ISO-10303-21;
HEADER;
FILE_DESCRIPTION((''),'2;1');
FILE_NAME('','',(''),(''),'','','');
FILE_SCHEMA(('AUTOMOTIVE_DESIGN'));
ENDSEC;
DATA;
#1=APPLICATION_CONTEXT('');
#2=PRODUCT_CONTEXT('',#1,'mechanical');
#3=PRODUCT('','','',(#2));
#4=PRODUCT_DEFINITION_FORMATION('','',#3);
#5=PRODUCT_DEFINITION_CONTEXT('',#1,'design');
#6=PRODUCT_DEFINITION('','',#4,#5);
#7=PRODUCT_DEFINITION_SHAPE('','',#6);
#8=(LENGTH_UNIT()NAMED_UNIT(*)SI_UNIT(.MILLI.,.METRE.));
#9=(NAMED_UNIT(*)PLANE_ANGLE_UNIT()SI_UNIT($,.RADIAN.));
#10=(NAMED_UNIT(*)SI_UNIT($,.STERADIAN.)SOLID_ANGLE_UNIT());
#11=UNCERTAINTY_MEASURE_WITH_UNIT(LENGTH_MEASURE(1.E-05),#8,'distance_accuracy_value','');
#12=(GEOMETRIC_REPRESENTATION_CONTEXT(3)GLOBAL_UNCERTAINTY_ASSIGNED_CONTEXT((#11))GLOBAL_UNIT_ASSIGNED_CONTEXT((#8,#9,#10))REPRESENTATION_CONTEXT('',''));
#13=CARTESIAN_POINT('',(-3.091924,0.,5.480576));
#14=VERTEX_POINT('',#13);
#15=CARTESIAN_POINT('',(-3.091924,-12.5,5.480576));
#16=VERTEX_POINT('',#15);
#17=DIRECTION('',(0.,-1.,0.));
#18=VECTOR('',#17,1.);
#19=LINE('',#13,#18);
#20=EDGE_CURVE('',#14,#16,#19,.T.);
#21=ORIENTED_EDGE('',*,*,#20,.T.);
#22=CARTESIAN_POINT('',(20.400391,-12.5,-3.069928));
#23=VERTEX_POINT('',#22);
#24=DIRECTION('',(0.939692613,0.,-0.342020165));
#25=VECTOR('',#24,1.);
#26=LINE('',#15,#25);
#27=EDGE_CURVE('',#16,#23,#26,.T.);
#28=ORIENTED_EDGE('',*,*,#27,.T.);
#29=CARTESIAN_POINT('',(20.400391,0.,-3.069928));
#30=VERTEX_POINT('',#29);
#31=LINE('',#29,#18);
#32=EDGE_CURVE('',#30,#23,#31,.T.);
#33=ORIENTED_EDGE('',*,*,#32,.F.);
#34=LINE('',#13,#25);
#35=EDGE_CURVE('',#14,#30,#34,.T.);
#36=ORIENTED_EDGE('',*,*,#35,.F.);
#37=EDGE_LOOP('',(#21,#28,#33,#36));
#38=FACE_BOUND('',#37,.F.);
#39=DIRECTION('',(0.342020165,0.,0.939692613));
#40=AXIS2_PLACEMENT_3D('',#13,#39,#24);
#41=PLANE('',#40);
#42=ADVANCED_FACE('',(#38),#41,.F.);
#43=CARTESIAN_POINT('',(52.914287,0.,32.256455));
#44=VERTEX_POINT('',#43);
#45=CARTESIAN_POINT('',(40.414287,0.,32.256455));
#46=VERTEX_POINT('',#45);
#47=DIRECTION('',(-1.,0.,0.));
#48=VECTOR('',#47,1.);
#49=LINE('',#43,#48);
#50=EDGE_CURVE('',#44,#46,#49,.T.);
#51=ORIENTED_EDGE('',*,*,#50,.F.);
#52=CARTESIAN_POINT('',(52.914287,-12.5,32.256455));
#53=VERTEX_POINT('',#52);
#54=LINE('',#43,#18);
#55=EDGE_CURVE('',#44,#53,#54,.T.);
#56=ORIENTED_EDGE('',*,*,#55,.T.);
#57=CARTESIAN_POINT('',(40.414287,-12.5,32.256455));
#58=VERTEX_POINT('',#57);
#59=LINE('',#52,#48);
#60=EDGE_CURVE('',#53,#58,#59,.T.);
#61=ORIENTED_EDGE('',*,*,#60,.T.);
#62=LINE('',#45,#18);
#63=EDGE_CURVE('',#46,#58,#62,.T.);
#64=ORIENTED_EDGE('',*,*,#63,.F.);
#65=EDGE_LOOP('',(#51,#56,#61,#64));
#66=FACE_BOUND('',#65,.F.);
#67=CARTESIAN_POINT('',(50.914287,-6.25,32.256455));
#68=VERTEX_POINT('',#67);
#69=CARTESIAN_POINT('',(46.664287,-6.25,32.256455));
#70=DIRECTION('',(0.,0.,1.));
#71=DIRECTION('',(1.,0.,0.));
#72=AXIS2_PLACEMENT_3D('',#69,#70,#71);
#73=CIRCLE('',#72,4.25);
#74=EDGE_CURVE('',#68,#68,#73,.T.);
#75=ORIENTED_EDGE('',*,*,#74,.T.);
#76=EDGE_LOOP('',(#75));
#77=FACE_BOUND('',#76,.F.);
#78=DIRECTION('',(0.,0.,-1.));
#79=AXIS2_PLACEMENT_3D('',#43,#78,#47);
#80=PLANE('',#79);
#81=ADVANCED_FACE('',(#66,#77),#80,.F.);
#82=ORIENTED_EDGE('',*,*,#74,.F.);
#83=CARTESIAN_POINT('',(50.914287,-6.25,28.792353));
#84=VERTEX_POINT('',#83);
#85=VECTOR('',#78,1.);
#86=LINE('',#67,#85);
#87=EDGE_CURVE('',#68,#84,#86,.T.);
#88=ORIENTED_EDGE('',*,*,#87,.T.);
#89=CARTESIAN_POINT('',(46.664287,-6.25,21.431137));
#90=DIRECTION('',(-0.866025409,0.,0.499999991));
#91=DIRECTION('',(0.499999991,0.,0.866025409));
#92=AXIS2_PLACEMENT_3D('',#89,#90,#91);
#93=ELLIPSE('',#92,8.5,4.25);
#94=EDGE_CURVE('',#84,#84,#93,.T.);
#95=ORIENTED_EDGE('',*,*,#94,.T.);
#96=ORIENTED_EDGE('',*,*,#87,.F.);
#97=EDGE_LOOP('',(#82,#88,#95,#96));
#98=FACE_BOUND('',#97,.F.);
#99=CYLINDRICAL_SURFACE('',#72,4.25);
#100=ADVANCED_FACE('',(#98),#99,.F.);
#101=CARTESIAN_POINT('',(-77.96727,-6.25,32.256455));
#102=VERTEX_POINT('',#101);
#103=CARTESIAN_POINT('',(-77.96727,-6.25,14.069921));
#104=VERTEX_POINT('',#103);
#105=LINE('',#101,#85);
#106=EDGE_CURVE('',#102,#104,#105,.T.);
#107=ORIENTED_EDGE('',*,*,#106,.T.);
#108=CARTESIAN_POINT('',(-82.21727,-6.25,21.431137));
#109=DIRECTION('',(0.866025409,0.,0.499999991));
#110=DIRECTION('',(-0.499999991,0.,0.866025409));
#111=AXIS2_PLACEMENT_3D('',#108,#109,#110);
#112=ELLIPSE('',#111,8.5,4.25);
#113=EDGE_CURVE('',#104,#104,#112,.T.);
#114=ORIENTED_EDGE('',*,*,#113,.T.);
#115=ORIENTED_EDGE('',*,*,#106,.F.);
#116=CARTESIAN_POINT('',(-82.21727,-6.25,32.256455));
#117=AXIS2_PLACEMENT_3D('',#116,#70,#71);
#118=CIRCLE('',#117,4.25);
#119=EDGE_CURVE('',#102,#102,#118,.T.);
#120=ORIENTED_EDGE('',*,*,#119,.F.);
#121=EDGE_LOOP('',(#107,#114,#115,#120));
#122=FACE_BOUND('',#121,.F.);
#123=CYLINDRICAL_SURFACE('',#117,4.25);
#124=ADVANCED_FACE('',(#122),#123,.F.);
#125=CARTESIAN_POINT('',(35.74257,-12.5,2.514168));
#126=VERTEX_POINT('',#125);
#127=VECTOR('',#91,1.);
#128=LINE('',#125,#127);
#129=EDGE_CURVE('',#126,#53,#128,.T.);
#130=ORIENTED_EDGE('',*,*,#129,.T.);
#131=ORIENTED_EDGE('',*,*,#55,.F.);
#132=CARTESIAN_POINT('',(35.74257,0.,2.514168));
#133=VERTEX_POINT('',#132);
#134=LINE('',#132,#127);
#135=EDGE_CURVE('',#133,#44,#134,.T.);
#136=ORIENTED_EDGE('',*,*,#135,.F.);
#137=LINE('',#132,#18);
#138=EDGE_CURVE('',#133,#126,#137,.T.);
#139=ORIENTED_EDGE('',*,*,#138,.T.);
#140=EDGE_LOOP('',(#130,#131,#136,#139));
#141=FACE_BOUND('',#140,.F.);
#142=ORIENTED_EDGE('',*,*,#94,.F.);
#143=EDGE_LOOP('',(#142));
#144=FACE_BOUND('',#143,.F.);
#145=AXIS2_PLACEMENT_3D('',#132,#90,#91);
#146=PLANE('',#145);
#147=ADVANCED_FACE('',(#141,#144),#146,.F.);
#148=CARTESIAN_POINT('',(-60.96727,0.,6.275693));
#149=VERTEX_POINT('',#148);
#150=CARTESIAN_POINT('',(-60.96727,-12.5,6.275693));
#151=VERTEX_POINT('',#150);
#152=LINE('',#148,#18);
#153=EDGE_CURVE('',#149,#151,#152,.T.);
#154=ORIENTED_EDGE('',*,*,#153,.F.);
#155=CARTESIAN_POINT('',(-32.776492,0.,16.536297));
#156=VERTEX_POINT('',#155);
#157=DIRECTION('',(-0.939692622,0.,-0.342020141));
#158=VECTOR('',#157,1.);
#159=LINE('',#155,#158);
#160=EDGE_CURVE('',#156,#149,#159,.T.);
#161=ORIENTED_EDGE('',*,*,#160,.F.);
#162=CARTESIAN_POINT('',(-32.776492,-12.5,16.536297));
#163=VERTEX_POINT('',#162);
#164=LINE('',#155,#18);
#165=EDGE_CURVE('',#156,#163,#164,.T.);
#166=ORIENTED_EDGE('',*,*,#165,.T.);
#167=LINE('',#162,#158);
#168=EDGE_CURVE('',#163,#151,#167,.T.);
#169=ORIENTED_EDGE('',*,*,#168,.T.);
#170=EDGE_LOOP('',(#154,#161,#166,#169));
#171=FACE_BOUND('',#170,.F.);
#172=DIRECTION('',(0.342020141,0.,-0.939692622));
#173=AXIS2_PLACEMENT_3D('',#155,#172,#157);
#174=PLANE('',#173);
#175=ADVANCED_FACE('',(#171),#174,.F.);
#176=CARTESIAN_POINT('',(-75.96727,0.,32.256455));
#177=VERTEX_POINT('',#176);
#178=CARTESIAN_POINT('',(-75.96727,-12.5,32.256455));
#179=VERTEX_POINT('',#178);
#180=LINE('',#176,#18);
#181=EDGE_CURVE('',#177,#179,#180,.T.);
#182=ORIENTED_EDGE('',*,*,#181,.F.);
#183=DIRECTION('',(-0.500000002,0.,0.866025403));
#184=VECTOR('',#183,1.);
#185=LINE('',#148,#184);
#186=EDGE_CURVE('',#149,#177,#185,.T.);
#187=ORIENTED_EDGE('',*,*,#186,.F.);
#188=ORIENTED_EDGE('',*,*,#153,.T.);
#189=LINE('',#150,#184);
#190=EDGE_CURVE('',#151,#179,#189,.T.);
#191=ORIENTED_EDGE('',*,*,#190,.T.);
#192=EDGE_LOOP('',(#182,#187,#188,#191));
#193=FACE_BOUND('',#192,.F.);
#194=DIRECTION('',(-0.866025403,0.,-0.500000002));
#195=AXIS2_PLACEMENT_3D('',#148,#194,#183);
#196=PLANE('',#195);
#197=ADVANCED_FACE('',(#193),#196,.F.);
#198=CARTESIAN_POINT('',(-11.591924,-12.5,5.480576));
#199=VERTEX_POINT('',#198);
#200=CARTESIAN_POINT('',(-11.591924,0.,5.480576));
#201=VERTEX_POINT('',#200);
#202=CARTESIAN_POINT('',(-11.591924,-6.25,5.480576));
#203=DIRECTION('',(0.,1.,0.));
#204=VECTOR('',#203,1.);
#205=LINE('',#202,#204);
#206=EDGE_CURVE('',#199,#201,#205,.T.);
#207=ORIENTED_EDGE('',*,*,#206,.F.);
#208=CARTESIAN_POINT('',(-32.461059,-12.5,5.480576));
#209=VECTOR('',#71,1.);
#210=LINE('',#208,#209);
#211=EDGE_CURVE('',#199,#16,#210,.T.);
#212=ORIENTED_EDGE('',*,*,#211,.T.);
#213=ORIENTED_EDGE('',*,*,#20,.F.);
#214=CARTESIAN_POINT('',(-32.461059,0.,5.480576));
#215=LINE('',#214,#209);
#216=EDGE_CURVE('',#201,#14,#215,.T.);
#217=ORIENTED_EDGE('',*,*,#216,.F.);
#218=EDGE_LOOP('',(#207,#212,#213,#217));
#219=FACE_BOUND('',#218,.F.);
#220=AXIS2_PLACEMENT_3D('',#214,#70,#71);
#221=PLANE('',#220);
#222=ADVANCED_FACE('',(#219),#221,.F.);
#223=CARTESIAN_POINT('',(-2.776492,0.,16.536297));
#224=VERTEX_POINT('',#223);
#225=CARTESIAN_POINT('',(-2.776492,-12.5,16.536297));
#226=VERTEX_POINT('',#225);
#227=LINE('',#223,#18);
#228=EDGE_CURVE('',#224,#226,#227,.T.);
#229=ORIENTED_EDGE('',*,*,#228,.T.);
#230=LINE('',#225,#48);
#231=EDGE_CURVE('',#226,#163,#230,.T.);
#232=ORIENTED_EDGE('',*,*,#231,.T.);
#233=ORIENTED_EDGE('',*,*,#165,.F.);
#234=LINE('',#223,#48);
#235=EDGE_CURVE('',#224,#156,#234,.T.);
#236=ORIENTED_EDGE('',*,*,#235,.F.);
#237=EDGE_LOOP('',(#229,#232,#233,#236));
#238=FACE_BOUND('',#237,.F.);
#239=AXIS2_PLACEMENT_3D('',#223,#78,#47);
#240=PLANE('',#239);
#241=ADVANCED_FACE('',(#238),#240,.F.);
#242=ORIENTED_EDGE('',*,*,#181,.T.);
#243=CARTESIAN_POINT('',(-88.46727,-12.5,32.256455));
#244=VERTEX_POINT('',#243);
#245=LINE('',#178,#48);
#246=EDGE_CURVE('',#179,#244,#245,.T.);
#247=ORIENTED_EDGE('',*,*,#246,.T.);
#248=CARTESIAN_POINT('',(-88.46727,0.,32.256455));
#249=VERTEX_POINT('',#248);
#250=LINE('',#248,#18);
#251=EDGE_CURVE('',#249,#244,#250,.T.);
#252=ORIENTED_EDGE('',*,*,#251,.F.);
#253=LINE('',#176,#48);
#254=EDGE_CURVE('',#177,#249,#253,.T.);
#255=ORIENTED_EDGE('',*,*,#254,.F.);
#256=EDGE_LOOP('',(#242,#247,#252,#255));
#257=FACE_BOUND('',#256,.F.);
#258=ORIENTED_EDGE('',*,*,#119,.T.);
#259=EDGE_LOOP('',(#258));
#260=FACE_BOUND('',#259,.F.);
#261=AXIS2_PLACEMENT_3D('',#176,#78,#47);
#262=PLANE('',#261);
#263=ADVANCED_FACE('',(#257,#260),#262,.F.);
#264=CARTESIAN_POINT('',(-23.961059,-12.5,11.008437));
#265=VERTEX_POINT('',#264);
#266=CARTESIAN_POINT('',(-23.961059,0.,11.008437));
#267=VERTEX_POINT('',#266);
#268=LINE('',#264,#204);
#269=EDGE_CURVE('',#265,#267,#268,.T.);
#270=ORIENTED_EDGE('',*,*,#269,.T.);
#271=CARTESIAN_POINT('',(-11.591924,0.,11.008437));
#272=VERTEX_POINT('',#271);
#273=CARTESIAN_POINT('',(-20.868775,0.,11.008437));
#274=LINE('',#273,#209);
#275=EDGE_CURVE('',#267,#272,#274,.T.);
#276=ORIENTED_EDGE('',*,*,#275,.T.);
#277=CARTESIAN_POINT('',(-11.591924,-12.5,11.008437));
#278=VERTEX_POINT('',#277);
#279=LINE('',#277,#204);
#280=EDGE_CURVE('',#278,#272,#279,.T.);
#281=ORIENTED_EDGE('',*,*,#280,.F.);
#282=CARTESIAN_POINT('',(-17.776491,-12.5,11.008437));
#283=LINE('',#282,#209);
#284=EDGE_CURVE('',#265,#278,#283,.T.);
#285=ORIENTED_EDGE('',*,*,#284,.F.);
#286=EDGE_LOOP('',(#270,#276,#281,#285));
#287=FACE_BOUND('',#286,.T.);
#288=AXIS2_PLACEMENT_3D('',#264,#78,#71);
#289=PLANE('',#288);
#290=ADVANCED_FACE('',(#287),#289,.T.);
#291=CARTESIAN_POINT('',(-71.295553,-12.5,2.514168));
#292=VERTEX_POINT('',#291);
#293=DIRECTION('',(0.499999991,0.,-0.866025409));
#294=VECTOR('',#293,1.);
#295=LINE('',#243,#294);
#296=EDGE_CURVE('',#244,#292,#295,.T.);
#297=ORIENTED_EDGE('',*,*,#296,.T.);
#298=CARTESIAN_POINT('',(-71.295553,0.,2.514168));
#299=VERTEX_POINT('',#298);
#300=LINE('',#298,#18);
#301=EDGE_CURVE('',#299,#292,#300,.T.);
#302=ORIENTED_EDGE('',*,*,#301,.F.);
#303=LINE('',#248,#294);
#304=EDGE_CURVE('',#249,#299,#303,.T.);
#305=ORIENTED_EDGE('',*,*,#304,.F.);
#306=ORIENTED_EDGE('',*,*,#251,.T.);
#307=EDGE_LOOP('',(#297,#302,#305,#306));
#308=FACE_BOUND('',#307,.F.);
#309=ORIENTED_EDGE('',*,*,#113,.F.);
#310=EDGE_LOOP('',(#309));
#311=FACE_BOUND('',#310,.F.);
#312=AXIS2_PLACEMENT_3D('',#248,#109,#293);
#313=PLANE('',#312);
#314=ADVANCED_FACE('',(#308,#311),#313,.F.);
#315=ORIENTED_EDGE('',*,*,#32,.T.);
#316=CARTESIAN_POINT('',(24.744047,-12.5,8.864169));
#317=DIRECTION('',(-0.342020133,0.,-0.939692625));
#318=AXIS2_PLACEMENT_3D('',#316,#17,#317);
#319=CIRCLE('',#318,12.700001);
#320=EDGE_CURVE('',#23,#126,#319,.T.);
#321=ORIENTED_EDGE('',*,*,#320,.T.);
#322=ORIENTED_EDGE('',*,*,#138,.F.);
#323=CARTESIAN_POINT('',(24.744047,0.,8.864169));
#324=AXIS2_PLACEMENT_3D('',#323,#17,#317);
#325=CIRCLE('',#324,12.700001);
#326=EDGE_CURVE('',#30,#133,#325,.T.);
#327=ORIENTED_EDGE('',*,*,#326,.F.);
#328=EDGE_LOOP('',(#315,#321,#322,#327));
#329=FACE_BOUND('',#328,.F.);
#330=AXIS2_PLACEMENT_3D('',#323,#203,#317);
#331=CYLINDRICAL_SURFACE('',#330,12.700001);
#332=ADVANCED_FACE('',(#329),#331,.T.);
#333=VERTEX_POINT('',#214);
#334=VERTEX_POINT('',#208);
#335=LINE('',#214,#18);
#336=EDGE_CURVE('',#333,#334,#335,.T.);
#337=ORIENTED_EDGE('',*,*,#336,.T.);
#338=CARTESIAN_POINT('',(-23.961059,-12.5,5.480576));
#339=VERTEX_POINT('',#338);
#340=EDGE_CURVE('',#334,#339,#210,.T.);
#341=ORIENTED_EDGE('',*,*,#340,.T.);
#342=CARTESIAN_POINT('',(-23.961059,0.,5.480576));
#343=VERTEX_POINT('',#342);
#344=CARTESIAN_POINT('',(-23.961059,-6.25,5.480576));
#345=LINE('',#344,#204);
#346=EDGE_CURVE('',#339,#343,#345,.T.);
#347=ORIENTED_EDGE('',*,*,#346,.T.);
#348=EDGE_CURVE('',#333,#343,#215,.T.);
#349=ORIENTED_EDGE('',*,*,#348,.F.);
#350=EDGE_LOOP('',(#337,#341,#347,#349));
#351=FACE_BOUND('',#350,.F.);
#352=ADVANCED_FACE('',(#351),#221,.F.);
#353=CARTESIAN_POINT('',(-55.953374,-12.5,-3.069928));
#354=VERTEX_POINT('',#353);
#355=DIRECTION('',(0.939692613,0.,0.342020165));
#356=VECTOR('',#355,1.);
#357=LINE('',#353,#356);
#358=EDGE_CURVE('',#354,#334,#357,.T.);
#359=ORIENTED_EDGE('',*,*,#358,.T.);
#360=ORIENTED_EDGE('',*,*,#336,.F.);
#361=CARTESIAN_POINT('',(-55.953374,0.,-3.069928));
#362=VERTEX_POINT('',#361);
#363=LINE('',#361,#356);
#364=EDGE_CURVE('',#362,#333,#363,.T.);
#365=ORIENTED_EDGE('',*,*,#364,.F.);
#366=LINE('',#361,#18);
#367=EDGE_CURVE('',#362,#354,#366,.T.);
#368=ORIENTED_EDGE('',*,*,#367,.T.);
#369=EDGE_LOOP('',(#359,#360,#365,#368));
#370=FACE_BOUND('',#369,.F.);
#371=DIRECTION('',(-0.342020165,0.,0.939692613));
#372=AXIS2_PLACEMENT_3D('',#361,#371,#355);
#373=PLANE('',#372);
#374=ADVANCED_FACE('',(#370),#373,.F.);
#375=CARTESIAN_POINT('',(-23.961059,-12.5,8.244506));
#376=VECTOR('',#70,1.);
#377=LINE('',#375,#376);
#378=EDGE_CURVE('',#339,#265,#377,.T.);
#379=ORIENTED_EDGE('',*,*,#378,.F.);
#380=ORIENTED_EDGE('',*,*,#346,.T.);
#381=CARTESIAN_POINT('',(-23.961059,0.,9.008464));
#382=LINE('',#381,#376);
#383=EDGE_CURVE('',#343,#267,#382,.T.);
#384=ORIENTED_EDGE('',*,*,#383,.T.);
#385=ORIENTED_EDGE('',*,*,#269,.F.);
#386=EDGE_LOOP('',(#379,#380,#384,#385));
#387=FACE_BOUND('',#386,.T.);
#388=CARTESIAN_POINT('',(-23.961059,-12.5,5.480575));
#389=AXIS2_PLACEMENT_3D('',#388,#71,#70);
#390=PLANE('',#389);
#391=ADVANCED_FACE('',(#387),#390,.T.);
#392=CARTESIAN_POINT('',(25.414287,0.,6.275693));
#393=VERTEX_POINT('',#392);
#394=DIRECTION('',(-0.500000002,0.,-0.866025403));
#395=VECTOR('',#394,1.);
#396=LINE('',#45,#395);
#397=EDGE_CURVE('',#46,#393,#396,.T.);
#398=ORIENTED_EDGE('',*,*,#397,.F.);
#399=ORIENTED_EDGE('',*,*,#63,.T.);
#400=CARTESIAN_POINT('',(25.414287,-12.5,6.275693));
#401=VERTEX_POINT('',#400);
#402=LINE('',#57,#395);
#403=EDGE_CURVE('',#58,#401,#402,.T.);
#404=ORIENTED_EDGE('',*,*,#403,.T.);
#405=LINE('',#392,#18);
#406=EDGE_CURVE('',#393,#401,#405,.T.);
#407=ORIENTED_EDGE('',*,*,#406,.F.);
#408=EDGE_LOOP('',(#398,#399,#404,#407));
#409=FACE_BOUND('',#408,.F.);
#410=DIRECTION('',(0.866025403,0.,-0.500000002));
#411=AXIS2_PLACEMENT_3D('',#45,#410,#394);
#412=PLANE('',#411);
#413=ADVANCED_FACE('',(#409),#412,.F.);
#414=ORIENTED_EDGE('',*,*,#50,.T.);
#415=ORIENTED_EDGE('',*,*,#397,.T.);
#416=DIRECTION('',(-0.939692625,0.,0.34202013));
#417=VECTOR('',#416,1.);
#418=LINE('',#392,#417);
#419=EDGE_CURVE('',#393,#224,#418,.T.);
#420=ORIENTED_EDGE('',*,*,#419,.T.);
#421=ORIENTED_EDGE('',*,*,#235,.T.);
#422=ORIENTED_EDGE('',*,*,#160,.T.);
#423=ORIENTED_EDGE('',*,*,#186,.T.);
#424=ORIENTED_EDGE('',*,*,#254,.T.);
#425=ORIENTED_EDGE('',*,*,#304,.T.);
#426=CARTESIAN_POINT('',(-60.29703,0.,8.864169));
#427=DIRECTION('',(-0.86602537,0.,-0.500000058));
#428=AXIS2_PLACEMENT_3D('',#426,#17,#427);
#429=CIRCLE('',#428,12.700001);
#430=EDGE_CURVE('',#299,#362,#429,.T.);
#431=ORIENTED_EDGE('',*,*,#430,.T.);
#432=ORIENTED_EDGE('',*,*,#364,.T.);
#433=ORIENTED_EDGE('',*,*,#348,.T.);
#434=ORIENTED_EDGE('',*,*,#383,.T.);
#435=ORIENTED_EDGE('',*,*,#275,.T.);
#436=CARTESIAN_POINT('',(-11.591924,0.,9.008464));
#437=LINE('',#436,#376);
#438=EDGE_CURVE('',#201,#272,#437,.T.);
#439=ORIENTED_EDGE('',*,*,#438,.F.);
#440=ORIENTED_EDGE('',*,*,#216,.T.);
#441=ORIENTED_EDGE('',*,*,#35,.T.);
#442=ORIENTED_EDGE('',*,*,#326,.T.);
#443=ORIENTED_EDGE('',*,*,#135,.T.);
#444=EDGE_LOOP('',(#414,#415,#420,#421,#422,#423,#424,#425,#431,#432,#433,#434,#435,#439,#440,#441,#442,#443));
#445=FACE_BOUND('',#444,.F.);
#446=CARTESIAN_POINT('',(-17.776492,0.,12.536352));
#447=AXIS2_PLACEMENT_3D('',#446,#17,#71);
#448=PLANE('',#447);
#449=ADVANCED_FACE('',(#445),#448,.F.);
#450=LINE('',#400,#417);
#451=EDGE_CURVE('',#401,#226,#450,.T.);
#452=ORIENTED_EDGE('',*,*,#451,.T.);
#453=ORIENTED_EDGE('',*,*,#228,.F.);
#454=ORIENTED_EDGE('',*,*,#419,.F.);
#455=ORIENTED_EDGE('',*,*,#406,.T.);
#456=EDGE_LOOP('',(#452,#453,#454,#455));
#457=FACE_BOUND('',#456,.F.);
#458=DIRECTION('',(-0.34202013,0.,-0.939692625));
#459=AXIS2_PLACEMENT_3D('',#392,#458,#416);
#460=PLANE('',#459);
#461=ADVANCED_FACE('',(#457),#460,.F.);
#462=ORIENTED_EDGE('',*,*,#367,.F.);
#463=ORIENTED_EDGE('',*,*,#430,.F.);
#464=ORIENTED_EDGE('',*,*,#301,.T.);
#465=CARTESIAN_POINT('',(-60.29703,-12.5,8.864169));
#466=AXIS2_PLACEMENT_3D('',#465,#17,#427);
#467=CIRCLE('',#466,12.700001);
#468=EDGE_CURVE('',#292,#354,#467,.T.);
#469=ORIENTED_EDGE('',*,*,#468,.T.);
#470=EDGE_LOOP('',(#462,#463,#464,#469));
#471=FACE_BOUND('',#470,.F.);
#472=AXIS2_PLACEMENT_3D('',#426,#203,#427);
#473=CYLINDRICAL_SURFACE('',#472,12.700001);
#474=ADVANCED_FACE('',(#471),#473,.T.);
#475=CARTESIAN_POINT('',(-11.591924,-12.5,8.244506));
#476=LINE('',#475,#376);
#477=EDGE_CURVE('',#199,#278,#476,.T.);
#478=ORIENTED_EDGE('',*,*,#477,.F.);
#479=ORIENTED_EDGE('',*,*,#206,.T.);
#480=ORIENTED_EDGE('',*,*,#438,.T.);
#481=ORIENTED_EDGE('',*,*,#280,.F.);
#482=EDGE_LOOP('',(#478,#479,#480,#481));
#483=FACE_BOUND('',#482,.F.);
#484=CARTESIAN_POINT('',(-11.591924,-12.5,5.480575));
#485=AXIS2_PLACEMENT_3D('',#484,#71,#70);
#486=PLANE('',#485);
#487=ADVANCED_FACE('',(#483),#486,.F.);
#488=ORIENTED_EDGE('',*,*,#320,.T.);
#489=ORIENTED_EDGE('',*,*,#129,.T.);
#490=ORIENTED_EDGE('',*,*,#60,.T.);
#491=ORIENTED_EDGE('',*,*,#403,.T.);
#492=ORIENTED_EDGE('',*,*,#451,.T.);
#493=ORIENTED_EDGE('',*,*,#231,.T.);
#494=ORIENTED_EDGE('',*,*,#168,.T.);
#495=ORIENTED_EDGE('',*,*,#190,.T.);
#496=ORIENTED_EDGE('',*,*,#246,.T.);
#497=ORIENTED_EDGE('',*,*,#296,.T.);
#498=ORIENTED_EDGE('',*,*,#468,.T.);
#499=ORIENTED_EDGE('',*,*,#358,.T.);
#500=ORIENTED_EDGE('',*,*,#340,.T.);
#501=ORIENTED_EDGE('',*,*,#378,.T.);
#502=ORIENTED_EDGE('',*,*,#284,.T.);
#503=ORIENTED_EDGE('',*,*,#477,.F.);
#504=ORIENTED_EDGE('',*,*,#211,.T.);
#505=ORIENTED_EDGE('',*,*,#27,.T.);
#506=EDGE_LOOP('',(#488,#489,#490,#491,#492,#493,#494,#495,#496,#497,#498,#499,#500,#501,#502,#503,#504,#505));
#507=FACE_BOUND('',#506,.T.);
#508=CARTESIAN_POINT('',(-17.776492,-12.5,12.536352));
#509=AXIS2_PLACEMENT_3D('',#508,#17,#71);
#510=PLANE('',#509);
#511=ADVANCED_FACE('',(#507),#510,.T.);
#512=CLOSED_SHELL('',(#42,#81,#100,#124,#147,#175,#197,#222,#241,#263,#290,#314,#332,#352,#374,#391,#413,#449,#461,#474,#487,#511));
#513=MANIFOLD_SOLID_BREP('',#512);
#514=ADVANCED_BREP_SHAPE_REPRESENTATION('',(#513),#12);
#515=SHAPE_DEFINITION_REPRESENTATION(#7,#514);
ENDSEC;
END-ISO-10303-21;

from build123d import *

# Parameters (mm, degrees)
F1_DEPTH = 12.5
F3_R     = 4.25
F4_DEPTH = 25.4
F2_R     = 4.25
F5_DEPTH = 54.356
F6_W     = 12.369135
F6_H     = 5.527861
F7_DEPTH = 25.4


with BuildPart() as f1:
    # F0 (on Front) → F1 (new body)
    with BuildSketch(Plane.XZ):
        with BuildLine():
            Line((-2.776492, 16.536297), (-32.776492, 16.536297))
            Line((-32.776492, 16.536297), (-60.96727, 6.275693))
            Line((-60.96727, 6.275693), (-75.96727, 32.256455))
            Line((-75.96727, 32.256455), (-88.46727, 32.256455))
            Line((-88.46727, 32.256455), (-71.295553, 2.514168))
            ThreePointArc((-71.295553, 2.514168), (-64.640686, -3.069928), (-55.953374, -3.069928))
            Line((-55.953374, -3.069928), (-32.461059, 5.480576))
            Line((-32.461059, 5.480576), (-3.091924, 5.480576))
            Line((-3.091924, 5.480576), (20.400391, -3.069928))
            ThreePointArc((20.400391, -3.069928), (29.087703, -3.069928), (35.74257, 2.514168))
            Line((35.74257, 2.514168), (52.914287, 32.256455))
            Line((52.914287, 32.256455), (40.414287, 32.256455))
            Line((40.414287, 32.256455), (25.414287, 6.275693))
            Line((25.414287, 6.275693), (-2.776492, 16.536297))
        make_face()
    extrude(amount=F1_DEPTH)

    # F3 (on face) → F4 (cut)
    with BuildSketch(Plane.XY.offset(32.256455)):
        with Locations((-82.21727, -6.25)):
            Circle(F3_R)
    extrude(amount=-F4_DEPTH, mode=Mode.SUBTRACT)

    # F2 (on face) → F5 (cut)
    with BuildSketch(Plane.XY.offset(32.256455)):
        with Locations((46.664287, -6.25)):
            Circle(F2_R)
    extrude(amount=-F5_DEPTH, mode=Mode.SUBTRACT)

    # F6 (on face) → F7 (cut)
    with BuildSketch(Plane.XZ.offset(12.5)):
        with Locations((-17.776491, 8.244506)):
            Rectangle(F6_W, F6_H)
    extrude(amount=-F7_DEPTH, mode=Mode.SUBTRACT)


solid = f1.part
